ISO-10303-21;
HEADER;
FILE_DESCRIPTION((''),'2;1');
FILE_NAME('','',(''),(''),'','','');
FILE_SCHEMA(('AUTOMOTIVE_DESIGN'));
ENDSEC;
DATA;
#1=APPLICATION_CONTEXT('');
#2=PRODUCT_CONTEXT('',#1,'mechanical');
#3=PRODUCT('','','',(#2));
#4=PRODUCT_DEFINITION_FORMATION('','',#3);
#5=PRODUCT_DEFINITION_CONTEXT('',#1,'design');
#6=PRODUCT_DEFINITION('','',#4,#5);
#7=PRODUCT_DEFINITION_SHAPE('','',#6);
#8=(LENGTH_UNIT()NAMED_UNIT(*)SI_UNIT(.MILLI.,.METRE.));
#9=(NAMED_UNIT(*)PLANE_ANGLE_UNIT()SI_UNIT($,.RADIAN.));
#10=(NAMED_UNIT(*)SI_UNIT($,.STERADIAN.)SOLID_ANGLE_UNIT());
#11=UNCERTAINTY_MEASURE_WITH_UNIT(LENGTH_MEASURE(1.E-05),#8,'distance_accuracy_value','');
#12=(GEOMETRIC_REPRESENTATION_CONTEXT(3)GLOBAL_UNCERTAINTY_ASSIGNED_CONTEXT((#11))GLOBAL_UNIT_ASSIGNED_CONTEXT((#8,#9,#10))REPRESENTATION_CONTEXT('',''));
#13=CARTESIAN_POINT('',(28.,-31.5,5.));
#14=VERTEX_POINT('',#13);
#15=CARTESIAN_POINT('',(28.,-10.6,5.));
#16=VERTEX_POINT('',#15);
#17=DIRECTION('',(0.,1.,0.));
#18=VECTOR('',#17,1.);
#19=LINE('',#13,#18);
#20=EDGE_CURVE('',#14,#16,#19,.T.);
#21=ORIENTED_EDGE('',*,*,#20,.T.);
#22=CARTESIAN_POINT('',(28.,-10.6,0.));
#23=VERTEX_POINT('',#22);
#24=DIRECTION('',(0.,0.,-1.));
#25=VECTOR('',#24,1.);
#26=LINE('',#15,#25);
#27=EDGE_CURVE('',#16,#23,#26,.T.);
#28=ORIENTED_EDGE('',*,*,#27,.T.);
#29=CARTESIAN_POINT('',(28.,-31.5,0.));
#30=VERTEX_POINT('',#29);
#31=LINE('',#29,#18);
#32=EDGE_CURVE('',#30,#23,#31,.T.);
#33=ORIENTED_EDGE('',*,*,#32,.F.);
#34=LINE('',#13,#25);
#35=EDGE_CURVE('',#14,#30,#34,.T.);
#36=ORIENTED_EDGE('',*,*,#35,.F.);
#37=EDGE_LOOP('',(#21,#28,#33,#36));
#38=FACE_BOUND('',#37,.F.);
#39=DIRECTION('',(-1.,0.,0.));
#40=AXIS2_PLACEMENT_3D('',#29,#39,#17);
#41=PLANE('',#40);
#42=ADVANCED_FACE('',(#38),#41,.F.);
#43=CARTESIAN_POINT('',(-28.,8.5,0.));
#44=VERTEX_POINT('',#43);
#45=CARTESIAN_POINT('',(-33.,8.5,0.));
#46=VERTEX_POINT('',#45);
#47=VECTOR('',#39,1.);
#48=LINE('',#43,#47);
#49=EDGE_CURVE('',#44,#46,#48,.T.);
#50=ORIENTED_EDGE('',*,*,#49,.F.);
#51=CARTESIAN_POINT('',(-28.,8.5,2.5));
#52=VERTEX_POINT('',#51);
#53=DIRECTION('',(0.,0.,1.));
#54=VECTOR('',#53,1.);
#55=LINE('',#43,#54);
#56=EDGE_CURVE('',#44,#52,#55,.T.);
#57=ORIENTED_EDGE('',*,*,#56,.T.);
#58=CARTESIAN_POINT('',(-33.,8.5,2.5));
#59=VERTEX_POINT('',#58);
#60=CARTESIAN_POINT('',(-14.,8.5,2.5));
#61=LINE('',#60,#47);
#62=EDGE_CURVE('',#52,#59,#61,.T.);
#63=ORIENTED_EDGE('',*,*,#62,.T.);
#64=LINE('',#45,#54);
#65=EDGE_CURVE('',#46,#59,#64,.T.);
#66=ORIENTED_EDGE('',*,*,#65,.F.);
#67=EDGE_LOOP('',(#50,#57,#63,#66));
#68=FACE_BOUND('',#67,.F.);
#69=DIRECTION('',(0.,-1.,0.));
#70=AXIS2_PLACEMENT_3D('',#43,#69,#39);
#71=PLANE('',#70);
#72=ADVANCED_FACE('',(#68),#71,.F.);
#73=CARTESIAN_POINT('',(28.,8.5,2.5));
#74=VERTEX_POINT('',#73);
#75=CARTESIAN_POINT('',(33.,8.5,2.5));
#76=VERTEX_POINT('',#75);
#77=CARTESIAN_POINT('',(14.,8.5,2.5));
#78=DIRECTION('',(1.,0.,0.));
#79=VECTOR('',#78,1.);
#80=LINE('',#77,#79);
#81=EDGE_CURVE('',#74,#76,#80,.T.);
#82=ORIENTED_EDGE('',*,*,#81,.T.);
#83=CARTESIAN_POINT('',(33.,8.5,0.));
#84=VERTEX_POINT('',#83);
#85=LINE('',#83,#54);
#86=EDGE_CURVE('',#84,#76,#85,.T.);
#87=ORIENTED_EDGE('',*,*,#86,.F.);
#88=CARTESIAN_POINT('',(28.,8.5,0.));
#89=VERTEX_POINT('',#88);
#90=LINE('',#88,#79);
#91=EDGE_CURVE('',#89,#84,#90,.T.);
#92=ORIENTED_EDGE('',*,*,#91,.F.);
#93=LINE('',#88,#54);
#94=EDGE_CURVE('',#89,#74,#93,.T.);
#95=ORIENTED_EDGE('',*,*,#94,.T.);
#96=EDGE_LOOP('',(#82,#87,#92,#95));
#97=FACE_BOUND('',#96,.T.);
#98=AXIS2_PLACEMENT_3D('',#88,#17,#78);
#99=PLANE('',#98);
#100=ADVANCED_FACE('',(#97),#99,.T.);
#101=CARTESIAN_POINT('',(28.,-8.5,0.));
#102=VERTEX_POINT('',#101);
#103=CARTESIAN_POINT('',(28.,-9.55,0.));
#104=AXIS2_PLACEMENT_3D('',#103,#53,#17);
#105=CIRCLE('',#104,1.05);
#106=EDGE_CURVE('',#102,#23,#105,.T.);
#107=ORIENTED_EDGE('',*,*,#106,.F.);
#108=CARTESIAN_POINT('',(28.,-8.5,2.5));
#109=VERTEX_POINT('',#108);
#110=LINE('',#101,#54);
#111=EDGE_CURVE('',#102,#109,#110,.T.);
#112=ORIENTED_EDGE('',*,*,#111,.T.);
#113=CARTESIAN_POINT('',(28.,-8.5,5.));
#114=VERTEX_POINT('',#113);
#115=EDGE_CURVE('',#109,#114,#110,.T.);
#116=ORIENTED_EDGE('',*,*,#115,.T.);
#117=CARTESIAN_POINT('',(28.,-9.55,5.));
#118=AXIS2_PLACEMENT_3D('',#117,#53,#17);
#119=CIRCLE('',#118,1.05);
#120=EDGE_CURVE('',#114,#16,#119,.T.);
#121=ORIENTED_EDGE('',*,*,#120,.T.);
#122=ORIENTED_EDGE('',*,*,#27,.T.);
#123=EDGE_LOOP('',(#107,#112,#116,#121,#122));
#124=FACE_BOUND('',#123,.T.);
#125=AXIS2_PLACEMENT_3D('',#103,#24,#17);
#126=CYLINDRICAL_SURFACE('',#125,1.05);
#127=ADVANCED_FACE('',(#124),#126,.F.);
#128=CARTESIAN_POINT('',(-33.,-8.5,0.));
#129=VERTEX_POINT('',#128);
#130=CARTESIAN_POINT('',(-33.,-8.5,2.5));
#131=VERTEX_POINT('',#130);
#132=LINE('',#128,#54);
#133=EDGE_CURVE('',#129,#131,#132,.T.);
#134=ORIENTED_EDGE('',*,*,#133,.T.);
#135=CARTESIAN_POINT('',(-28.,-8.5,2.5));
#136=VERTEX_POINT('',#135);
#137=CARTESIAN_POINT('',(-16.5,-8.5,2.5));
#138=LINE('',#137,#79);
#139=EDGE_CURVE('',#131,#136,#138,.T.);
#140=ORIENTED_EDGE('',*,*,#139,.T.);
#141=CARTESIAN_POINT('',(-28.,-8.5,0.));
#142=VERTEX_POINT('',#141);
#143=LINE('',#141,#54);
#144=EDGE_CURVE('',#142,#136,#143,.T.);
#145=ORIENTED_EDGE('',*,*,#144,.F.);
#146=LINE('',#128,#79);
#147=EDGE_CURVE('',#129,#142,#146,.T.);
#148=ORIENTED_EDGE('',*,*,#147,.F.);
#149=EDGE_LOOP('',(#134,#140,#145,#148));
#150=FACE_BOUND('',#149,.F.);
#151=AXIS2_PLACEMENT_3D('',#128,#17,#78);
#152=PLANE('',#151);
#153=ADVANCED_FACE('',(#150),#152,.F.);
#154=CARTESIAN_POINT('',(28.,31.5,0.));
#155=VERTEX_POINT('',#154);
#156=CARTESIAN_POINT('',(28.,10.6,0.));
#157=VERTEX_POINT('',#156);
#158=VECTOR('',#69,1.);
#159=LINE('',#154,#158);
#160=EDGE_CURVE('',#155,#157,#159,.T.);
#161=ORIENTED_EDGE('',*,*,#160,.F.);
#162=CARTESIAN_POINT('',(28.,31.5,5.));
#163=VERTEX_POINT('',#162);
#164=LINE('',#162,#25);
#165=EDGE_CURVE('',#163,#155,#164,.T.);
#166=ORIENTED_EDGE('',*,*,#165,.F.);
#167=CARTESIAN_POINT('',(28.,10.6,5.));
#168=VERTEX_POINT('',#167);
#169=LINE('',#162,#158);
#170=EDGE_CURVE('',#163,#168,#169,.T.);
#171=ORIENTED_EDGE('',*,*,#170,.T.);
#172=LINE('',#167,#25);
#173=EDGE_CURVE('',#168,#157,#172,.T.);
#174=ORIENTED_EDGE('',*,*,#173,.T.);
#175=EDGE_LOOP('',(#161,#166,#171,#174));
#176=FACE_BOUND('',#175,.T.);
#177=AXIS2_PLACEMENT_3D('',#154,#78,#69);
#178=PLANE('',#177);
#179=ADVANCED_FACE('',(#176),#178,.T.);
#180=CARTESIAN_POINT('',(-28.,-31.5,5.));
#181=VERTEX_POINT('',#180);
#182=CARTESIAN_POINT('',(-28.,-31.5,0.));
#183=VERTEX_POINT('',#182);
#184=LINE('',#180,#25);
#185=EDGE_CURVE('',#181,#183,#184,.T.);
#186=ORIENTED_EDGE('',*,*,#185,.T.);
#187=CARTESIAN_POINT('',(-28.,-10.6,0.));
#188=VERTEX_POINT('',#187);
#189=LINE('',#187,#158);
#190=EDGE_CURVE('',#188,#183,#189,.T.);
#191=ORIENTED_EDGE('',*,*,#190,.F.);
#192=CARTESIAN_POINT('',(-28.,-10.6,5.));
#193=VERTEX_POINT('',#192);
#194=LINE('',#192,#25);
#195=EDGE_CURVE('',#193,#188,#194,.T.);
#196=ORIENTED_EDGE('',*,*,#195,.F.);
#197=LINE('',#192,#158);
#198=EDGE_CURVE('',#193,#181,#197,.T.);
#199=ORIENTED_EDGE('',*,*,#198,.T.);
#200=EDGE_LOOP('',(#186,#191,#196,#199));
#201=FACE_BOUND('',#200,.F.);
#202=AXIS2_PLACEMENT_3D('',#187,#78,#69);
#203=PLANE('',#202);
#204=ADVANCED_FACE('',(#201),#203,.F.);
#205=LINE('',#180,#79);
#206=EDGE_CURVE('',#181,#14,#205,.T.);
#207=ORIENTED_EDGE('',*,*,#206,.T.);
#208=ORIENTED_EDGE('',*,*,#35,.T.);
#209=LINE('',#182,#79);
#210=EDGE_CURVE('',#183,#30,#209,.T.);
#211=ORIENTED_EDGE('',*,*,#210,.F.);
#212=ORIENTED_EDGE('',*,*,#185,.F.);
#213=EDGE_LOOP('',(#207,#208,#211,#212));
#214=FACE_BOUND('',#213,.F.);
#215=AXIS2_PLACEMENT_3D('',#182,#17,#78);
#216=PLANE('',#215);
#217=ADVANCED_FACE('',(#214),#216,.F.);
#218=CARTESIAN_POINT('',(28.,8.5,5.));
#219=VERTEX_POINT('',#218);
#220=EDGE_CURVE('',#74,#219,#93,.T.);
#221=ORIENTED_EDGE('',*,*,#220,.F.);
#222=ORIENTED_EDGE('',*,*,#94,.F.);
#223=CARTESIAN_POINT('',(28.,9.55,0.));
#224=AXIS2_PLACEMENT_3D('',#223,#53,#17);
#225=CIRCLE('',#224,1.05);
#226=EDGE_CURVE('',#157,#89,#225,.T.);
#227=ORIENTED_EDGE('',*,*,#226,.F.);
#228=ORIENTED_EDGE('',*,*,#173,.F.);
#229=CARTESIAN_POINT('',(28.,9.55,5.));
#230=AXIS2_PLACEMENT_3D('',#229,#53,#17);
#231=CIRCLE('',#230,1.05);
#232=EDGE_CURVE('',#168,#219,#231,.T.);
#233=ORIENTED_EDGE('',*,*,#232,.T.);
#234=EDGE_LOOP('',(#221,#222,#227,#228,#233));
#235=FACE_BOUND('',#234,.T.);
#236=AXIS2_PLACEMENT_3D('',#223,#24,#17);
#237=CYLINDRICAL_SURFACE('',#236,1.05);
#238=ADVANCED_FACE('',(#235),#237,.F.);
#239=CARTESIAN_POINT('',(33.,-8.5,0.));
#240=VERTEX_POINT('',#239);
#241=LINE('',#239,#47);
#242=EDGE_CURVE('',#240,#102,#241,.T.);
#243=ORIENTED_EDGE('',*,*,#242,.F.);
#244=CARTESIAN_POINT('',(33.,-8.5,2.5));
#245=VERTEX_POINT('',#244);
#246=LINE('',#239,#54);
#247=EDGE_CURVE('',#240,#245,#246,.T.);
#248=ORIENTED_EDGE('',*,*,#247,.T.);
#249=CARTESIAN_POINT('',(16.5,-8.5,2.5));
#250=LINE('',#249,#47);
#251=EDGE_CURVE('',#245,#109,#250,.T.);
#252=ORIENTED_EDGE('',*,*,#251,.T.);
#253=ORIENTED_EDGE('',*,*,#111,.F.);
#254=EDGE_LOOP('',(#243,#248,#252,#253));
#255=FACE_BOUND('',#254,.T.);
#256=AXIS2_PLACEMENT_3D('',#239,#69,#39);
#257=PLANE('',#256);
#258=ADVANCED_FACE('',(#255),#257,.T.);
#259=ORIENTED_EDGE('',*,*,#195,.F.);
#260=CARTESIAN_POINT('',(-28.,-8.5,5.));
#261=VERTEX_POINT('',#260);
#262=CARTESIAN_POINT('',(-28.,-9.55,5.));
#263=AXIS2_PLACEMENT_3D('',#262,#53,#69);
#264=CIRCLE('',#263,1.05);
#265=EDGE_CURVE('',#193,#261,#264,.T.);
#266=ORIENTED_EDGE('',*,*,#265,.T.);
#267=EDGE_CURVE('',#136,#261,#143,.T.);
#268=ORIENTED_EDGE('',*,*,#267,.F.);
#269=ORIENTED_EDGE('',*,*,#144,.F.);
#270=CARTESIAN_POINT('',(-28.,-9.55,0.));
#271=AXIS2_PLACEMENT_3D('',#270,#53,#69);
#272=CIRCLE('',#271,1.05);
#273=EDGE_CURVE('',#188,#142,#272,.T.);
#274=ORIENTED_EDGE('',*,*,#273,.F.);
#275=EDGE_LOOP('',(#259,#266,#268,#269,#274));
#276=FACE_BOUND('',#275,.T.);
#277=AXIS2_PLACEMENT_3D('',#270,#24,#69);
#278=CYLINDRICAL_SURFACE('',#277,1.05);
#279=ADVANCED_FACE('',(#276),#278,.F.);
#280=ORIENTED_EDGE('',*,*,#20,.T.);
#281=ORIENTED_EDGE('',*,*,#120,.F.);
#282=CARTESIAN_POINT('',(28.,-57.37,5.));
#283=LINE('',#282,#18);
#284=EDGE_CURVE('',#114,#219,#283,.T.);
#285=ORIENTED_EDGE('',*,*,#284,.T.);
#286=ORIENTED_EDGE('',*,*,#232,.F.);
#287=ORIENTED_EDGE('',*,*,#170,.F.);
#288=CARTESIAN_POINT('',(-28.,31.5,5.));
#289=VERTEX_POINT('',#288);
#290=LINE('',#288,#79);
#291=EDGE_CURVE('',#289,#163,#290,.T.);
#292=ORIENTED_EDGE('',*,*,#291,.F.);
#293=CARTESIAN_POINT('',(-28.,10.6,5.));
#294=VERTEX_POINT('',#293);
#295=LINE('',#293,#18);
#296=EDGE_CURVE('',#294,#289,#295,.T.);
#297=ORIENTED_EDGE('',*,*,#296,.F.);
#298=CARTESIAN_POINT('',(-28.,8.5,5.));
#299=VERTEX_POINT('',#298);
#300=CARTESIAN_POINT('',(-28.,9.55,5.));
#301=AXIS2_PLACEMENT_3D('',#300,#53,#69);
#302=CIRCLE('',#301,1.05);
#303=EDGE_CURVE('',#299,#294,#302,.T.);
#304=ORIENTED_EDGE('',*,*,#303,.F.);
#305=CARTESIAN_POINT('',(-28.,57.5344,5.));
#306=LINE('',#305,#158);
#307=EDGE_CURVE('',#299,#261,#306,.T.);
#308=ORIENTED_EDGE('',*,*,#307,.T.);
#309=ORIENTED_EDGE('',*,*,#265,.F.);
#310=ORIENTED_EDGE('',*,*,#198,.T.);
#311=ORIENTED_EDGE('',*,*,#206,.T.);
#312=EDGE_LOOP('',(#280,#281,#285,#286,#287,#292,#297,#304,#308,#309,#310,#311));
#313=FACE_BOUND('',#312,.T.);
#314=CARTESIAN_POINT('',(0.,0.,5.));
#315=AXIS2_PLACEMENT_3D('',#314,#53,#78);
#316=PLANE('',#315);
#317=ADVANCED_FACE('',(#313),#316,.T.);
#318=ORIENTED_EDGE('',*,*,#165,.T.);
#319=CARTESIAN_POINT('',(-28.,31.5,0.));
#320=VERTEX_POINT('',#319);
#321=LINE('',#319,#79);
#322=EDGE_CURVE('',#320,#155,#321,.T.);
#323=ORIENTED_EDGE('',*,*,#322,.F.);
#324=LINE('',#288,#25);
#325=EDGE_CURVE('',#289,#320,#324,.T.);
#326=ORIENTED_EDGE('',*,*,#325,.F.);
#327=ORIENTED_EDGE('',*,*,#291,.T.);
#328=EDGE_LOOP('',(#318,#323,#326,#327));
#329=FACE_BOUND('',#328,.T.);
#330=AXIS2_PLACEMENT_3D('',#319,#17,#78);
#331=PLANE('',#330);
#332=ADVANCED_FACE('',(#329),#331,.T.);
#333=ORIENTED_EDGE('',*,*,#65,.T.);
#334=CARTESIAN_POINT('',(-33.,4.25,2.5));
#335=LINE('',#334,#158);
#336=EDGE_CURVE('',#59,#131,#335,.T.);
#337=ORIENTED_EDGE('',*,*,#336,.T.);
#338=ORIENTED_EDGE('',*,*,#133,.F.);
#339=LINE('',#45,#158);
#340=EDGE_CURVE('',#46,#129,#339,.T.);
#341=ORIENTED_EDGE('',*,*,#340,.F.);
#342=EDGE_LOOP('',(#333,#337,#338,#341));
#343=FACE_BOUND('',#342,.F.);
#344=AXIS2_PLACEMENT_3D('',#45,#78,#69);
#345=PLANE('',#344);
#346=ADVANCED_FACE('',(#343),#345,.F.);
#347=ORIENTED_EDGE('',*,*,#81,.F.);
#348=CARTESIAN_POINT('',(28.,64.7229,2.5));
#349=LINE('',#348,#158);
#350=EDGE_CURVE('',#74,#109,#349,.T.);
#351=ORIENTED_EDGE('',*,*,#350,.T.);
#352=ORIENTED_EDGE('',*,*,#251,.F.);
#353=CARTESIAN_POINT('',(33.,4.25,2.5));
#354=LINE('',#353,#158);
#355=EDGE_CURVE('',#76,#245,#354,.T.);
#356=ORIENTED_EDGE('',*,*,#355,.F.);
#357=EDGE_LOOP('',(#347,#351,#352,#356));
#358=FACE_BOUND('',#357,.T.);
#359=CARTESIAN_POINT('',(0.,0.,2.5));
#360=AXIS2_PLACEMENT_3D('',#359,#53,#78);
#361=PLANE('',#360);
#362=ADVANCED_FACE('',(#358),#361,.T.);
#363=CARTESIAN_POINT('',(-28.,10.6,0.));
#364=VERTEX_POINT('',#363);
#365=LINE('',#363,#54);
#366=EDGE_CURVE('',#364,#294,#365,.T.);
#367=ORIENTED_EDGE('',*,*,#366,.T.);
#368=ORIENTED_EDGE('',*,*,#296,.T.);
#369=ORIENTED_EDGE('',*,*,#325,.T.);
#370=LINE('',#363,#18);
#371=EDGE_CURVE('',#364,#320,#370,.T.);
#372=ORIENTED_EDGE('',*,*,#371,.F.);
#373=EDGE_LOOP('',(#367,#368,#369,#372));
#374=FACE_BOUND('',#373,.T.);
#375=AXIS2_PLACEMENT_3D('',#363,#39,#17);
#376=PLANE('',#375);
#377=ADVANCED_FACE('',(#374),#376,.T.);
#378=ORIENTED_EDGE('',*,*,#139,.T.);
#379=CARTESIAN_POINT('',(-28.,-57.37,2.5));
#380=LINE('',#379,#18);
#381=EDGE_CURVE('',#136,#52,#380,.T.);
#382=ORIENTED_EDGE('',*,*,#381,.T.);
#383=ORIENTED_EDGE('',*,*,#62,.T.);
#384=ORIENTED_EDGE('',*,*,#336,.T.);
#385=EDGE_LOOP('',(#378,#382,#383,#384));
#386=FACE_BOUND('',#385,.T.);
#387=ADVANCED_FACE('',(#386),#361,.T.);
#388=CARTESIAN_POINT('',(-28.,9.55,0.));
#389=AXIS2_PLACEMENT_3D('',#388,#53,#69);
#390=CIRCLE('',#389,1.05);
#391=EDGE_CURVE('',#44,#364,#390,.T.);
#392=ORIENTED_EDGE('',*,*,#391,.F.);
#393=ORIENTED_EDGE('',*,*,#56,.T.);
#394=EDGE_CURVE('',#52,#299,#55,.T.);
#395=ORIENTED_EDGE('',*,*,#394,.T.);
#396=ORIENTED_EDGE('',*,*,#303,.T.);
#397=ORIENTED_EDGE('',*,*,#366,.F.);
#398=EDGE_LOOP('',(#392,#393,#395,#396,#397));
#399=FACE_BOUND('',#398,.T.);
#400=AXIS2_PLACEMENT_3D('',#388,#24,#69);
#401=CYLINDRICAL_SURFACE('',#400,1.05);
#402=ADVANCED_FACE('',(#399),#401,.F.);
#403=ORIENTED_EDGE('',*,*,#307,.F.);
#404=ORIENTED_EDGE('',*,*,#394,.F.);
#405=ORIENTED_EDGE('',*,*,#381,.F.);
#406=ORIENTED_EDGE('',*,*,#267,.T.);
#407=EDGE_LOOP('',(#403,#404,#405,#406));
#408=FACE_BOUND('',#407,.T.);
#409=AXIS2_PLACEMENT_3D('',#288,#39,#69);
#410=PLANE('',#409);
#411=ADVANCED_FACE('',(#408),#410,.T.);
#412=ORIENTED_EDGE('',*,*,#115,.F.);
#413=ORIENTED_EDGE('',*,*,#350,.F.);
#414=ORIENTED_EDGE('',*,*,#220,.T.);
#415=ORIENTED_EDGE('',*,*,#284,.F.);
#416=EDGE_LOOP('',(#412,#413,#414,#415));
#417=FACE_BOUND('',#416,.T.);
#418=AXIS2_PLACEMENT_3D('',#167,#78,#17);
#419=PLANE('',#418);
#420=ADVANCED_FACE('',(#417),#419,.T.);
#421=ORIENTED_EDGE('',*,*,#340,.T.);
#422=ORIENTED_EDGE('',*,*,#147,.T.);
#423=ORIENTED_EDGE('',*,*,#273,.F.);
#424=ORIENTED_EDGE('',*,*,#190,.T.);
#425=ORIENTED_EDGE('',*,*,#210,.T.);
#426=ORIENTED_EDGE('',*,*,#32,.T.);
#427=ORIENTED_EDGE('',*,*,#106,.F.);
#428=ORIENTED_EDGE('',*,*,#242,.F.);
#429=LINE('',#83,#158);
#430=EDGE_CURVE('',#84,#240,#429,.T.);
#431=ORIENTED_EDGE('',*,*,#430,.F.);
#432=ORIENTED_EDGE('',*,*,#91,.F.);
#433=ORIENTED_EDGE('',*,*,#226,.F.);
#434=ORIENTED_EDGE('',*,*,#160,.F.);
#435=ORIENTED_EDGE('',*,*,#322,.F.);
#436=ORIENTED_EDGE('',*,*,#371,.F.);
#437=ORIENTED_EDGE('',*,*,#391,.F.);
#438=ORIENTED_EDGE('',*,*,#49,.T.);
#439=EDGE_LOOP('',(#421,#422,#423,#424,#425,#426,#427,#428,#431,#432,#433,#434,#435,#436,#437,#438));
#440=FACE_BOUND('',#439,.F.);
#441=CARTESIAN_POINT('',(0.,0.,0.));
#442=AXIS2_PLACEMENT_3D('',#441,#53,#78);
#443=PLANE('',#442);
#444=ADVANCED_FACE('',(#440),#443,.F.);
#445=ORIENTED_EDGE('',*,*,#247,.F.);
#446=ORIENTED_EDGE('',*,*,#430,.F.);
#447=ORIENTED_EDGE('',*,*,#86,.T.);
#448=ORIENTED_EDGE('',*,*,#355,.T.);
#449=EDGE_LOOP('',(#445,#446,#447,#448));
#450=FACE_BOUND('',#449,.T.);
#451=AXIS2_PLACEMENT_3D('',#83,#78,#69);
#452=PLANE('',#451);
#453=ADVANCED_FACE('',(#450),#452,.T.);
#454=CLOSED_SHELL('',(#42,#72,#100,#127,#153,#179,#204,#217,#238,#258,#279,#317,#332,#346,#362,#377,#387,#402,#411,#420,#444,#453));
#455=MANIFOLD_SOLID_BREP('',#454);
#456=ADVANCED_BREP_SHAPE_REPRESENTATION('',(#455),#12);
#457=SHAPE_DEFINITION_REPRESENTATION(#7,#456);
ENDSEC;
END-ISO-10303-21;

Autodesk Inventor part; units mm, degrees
ref_plane "YZ Plane" through (0, 0, 0) normal (1, 0, 0) x (0, 1, 0)
ref_plane "XZ Plane" through (0, 0, 0) normal (0, 1, 0) x (-1, 0, 0)
ref_plane "XY Plane" through (0, 0, 0) normal (0, 0, 1) x (1, 0, 0)
sketch "スケッチ1" plane through (0, 0, 0) normal (0, 0, 1) x (1, 0, 0)
  line L0 (-28, -31.5) -> (28, -31.5) construction
  line L1 (28, -31.5) -> (28, 31.5) construction
  line L2 (28, 31.5) -> (-28, 31.5) construction
  line L3 (-28, 31.5) -> (-28, -31.5) construction
  line L4 (-28, -31.5) -> (28, 31.5) construction
  line L5 (28, -31.5) -> (-28, 31.5) construction
  line L6 (-28, 10.6) -> (-28, 31.5)
  line L7 (-28, 31.5) -> (28, 31.5)
  line L8 (28, 31.5) -> (28, 10.6)
  line L9 (-28, -10.6) -> (-28, -31.5)
  line L10 (-28, -31.5) -> (28, -31.5)
  line L11 (28, -31.5) -> (28, -10.6)
  line L12 (-28, 8.5) -> (-33, 8.5)
  line L13 (-33, 8.5) -> (-33, -8.5)
  line L14 (-33, -8.5) -> (-28, -8.5)
  line L15 (28, 8.5) -> (33, 8.5)
  line L16 (33, 8.5) -> (33, -8.5)
  line L17 (33, -8.5) -> (28, -8.5)
  line L18 (0, 0) -> (0, 31.5) construction
  line L19 (0, 0) -> (28, 0) construction
  arc A0 (-28, 8.5) -> (-28, 10.6) centre (-28, 9.55) ccw
  arc A1 (-28, -10.6) -> (-28, -8.5) centre (-28, -9.55) ccw
  arc A2 (28, 10.6) -> (28, 8.5) centre (28, 9.55) ccw
  arc A3 (28, -8.5) -> (28, -10.6) centre (28, -9.55) ccw
  dimension "d45" = 63
  dimension "d73" = 56
  dimension "d74" = 1.05
  dimension "d75" = 5
  dimension "d76" = 23
extrude "押し出し1" add sketch "スケッチ1" along normal blind 5
sketch "スケッチ2" plane through (0, 0, 5) normal (0, 0, 1) x (1, 0, 0)
  line L0 (-28, 31.5) -> (-28, 10.6) projected
  line L1 (28, 10.6) -> (28, 31.5) projected
  line L2 (-50.9845, 57.5344) -> (-28, 57.5344)
  line L3 (-28, 57.5344) -> (-28, -57.37)
  line L4 (-28, -57.37) -> (-50.9845, -57.37)
  line L5 (-50.9845, -57.37) -> (-50.9845, 57.5344)
  line L6 (28, 64.7229) -> (65.0267, 64.7229)
  line L7 (65.0267, 64.7229) -> (65.0267, -57.37)
  line L8 (65.0267, -57.37) -> (28, -57.37)
  line L9 (28, -57.37) -> (28, 64.7229)
  point P0 (0, 0)
extrude "押し出し2" cut sketch "スケッチ2" against normal blind 2.5
equation "\"d45\" = d1"
equation "\"d76\" = d20 + d23"
equation "\"d1\" = 63"
equation "\"d20\" = 8"
equation "\"d23\" = 15"
properties part number "コックピット_2_サブフレーム_4" material "アセタール樹脂、黒"
